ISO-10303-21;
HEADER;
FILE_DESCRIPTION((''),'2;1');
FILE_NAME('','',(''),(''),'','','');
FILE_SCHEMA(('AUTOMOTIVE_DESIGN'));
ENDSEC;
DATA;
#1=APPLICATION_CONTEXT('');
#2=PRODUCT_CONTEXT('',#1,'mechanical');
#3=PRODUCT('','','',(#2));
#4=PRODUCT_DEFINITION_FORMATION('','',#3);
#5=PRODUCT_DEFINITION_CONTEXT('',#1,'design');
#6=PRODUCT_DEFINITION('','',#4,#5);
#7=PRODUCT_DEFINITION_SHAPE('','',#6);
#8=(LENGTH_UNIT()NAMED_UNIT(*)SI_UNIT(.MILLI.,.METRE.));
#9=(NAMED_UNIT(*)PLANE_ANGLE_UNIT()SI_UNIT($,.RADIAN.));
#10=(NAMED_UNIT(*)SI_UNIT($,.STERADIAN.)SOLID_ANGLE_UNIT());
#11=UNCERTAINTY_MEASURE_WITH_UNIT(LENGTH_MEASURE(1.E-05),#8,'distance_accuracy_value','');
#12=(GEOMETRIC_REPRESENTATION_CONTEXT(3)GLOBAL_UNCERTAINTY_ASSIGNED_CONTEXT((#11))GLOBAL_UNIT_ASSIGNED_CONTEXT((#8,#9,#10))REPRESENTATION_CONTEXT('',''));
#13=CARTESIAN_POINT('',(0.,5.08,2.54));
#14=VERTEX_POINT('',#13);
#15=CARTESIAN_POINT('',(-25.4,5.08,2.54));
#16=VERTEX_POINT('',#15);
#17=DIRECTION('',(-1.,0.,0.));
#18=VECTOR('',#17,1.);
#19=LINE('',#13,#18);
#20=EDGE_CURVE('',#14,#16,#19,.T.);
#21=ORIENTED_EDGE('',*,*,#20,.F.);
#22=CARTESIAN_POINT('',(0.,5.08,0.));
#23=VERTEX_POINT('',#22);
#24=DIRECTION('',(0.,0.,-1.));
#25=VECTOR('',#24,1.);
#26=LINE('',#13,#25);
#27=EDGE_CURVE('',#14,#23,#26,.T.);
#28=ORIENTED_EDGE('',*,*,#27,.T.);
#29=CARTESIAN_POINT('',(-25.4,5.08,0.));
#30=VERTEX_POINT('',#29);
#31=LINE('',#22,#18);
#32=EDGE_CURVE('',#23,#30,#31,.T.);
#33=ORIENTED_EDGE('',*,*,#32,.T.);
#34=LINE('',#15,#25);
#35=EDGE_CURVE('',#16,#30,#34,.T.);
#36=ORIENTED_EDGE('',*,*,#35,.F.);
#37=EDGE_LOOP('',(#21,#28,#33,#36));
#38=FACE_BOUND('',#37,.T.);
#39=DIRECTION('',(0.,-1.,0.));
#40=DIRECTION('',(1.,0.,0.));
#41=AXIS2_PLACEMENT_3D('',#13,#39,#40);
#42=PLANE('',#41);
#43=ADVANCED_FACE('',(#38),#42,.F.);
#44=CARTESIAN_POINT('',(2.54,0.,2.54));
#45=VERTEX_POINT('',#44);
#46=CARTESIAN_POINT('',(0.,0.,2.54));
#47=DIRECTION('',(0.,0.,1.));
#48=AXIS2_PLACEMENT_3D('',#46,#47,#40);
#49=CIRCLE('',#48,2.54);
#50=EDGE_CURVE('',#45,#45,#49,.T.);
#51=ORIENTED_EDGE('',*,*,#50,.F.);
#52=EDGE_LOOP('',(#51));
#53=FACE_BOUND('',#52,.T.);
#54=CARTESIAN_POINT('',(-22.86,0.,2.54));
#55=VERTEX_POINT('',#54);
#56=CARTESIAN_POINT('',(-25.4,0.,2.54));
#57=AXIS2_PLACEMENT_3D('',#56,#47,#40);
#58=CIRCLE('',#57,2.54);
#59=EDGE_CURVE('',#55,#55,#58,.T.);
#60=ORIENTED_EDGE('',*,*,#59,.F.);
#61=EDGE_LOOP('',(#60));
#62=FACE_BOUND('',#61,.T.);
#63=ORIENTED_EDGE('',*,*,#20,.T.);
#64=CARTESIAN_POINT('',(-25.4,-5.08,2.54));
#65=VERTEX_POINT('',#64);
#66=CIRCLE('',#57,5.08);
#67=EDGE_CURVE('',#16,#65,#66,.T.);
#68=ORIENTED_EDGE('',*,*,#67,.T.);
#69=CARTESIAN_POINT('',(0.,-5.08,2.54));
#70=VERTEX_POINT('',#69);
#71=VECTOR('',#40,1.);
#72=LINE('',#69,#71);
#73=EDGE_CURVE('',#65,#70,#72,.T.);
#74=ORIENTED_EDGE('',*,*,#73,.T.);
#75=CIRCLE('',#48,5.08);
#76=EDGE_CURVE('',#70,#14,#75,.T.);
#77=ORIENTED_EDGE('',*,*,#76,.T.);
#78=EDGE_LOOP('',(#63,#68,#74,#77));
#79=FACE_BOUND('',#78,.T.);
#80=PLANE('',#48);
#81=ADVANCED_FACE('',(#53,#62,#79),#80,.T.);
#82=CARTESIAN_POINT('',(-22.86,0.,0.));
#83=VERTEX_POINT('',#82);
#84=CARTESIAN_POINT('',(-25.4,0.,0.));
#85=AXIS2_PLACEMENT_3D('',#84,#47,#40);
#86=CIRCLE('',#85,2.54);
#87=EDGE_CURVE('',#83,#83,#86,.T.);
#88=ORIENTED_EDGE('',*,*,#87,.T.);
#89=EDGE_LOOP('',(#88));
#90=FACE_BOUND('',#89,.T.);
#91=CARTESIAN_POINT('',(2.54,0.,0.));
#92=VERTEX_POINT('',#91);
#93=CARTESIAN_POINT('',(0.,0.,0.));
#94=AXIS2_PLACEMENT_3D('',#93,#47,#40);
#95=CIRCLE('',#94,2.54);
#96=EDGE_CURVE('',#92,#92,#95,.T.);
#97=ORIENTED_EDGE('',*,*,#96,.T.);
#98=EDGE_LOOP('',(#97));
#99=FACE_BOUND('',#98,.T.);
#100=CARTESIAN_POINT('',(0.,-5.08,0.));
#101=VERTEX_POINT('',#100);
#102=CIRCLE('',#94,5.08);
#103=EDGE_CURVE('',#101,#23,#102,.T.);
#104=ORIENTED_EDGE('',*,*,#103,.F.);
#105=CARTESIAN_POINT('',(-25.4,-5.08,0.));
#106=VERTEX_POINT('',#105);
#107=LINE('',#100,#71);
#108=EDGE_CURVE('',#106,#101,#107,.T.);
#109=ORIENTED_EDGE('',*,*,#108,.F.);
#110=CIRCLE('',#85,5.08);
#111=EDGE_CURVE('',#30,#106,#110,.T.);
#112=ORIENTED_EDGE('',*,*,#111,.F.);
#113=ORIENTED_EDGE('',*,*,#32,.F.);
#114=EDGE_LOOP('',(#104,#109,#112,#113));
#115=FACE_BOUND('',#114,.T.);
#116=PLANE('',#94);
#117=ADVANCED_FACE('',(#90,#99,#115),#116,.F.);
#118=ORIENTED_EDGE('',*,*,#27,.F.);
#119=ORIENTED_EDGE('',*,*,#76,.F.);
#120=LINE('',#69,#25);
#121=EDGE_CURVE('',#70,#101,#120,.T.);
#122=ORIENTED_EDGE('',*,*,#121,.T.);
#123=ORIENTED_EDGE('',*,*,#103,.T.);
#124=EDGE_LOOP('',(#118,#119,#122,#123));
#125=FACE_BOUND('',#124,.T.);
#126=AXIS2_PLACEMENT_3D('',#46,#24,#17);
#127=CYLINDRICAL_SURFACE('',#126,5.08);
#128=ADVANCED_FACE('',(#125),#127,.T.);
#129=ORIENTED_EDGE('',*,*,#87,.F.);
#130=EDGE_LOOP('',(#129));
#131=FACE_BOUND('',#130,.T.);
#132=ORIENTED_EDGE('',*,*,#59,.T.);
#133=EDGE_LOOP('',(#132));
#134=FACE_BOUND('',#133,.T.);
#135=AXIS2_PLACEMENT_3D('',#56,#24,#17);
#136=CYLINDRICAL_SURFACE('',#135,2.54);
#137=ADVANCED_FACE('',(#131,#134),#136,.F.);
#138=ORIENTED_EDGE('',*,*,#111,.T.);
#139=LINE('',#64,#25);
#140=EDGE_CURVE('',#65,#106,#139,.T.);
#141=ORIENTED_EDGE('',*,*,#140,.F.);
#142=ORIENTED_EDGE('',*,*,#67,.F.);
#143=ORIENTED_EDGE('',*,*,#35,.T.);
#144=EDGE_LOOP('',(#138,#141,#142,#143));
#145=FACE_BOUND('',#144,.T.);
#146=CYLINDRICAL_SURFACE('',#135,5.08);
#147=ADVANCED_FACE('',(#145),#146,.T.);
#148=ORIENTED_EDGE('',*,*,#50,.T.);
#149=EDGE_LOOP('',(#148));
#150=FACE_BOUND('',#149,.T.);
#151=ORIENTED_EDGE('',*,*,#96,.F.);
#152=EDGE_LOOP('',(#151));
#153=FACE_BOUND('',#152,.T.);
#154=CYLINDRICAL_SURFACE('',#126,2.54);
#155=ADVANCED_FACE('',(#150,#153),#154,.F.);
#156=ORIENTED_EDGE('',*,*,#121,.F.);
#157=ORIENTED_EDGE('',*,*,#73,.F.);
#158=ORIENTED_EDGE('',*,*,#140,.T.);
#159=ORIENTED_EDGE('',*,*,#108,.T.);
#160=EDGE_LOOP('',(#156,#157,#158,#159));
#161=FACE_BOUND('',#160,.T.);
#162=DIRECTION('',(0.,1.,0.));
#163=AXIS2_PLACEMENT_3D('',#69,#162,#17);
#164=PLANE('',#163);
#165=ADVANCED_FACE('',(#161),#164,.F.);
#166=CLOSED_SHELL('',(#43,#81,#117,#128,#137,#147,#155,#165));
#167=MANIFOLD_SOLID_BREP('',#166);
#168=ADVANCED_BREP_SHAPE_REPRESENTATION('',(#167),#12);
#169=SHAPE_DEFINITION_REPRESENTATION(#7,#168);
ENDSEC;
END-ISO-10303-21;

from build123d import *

# Parameters (mm, degrees)
SKETCH1_R           = 2.54
BOSS_EXTRUDE1_DEPTH = 2.54


with BuildPart() as part:
    # Sketch1 → Boss-Extrude1 (new body)
    with BuildSketch(Plane.XY):
        with BuildLine():
            Line((0, -5.08), (-25.4, -5.08))
            ThreePointArc((-25.4, -5.08), (-30.48, 0), (-25.4, 5.08))
            Line((-25.4, 5.08), (0, 5.08))
            ThreePointArc((0, 5.08), (5.08, 0), (0, -5.08))
        make_face()
        with Locations((-25.4, 0)):
            Circle(SKETCH1_R, mode=Mode.SUBTRACT)
        Circle(SKETCH1_R, mode=Mode.SUBTRACT)
    extrude(amount=BOSS_EXTRUDE1_DEPTH)


solid = part.part
